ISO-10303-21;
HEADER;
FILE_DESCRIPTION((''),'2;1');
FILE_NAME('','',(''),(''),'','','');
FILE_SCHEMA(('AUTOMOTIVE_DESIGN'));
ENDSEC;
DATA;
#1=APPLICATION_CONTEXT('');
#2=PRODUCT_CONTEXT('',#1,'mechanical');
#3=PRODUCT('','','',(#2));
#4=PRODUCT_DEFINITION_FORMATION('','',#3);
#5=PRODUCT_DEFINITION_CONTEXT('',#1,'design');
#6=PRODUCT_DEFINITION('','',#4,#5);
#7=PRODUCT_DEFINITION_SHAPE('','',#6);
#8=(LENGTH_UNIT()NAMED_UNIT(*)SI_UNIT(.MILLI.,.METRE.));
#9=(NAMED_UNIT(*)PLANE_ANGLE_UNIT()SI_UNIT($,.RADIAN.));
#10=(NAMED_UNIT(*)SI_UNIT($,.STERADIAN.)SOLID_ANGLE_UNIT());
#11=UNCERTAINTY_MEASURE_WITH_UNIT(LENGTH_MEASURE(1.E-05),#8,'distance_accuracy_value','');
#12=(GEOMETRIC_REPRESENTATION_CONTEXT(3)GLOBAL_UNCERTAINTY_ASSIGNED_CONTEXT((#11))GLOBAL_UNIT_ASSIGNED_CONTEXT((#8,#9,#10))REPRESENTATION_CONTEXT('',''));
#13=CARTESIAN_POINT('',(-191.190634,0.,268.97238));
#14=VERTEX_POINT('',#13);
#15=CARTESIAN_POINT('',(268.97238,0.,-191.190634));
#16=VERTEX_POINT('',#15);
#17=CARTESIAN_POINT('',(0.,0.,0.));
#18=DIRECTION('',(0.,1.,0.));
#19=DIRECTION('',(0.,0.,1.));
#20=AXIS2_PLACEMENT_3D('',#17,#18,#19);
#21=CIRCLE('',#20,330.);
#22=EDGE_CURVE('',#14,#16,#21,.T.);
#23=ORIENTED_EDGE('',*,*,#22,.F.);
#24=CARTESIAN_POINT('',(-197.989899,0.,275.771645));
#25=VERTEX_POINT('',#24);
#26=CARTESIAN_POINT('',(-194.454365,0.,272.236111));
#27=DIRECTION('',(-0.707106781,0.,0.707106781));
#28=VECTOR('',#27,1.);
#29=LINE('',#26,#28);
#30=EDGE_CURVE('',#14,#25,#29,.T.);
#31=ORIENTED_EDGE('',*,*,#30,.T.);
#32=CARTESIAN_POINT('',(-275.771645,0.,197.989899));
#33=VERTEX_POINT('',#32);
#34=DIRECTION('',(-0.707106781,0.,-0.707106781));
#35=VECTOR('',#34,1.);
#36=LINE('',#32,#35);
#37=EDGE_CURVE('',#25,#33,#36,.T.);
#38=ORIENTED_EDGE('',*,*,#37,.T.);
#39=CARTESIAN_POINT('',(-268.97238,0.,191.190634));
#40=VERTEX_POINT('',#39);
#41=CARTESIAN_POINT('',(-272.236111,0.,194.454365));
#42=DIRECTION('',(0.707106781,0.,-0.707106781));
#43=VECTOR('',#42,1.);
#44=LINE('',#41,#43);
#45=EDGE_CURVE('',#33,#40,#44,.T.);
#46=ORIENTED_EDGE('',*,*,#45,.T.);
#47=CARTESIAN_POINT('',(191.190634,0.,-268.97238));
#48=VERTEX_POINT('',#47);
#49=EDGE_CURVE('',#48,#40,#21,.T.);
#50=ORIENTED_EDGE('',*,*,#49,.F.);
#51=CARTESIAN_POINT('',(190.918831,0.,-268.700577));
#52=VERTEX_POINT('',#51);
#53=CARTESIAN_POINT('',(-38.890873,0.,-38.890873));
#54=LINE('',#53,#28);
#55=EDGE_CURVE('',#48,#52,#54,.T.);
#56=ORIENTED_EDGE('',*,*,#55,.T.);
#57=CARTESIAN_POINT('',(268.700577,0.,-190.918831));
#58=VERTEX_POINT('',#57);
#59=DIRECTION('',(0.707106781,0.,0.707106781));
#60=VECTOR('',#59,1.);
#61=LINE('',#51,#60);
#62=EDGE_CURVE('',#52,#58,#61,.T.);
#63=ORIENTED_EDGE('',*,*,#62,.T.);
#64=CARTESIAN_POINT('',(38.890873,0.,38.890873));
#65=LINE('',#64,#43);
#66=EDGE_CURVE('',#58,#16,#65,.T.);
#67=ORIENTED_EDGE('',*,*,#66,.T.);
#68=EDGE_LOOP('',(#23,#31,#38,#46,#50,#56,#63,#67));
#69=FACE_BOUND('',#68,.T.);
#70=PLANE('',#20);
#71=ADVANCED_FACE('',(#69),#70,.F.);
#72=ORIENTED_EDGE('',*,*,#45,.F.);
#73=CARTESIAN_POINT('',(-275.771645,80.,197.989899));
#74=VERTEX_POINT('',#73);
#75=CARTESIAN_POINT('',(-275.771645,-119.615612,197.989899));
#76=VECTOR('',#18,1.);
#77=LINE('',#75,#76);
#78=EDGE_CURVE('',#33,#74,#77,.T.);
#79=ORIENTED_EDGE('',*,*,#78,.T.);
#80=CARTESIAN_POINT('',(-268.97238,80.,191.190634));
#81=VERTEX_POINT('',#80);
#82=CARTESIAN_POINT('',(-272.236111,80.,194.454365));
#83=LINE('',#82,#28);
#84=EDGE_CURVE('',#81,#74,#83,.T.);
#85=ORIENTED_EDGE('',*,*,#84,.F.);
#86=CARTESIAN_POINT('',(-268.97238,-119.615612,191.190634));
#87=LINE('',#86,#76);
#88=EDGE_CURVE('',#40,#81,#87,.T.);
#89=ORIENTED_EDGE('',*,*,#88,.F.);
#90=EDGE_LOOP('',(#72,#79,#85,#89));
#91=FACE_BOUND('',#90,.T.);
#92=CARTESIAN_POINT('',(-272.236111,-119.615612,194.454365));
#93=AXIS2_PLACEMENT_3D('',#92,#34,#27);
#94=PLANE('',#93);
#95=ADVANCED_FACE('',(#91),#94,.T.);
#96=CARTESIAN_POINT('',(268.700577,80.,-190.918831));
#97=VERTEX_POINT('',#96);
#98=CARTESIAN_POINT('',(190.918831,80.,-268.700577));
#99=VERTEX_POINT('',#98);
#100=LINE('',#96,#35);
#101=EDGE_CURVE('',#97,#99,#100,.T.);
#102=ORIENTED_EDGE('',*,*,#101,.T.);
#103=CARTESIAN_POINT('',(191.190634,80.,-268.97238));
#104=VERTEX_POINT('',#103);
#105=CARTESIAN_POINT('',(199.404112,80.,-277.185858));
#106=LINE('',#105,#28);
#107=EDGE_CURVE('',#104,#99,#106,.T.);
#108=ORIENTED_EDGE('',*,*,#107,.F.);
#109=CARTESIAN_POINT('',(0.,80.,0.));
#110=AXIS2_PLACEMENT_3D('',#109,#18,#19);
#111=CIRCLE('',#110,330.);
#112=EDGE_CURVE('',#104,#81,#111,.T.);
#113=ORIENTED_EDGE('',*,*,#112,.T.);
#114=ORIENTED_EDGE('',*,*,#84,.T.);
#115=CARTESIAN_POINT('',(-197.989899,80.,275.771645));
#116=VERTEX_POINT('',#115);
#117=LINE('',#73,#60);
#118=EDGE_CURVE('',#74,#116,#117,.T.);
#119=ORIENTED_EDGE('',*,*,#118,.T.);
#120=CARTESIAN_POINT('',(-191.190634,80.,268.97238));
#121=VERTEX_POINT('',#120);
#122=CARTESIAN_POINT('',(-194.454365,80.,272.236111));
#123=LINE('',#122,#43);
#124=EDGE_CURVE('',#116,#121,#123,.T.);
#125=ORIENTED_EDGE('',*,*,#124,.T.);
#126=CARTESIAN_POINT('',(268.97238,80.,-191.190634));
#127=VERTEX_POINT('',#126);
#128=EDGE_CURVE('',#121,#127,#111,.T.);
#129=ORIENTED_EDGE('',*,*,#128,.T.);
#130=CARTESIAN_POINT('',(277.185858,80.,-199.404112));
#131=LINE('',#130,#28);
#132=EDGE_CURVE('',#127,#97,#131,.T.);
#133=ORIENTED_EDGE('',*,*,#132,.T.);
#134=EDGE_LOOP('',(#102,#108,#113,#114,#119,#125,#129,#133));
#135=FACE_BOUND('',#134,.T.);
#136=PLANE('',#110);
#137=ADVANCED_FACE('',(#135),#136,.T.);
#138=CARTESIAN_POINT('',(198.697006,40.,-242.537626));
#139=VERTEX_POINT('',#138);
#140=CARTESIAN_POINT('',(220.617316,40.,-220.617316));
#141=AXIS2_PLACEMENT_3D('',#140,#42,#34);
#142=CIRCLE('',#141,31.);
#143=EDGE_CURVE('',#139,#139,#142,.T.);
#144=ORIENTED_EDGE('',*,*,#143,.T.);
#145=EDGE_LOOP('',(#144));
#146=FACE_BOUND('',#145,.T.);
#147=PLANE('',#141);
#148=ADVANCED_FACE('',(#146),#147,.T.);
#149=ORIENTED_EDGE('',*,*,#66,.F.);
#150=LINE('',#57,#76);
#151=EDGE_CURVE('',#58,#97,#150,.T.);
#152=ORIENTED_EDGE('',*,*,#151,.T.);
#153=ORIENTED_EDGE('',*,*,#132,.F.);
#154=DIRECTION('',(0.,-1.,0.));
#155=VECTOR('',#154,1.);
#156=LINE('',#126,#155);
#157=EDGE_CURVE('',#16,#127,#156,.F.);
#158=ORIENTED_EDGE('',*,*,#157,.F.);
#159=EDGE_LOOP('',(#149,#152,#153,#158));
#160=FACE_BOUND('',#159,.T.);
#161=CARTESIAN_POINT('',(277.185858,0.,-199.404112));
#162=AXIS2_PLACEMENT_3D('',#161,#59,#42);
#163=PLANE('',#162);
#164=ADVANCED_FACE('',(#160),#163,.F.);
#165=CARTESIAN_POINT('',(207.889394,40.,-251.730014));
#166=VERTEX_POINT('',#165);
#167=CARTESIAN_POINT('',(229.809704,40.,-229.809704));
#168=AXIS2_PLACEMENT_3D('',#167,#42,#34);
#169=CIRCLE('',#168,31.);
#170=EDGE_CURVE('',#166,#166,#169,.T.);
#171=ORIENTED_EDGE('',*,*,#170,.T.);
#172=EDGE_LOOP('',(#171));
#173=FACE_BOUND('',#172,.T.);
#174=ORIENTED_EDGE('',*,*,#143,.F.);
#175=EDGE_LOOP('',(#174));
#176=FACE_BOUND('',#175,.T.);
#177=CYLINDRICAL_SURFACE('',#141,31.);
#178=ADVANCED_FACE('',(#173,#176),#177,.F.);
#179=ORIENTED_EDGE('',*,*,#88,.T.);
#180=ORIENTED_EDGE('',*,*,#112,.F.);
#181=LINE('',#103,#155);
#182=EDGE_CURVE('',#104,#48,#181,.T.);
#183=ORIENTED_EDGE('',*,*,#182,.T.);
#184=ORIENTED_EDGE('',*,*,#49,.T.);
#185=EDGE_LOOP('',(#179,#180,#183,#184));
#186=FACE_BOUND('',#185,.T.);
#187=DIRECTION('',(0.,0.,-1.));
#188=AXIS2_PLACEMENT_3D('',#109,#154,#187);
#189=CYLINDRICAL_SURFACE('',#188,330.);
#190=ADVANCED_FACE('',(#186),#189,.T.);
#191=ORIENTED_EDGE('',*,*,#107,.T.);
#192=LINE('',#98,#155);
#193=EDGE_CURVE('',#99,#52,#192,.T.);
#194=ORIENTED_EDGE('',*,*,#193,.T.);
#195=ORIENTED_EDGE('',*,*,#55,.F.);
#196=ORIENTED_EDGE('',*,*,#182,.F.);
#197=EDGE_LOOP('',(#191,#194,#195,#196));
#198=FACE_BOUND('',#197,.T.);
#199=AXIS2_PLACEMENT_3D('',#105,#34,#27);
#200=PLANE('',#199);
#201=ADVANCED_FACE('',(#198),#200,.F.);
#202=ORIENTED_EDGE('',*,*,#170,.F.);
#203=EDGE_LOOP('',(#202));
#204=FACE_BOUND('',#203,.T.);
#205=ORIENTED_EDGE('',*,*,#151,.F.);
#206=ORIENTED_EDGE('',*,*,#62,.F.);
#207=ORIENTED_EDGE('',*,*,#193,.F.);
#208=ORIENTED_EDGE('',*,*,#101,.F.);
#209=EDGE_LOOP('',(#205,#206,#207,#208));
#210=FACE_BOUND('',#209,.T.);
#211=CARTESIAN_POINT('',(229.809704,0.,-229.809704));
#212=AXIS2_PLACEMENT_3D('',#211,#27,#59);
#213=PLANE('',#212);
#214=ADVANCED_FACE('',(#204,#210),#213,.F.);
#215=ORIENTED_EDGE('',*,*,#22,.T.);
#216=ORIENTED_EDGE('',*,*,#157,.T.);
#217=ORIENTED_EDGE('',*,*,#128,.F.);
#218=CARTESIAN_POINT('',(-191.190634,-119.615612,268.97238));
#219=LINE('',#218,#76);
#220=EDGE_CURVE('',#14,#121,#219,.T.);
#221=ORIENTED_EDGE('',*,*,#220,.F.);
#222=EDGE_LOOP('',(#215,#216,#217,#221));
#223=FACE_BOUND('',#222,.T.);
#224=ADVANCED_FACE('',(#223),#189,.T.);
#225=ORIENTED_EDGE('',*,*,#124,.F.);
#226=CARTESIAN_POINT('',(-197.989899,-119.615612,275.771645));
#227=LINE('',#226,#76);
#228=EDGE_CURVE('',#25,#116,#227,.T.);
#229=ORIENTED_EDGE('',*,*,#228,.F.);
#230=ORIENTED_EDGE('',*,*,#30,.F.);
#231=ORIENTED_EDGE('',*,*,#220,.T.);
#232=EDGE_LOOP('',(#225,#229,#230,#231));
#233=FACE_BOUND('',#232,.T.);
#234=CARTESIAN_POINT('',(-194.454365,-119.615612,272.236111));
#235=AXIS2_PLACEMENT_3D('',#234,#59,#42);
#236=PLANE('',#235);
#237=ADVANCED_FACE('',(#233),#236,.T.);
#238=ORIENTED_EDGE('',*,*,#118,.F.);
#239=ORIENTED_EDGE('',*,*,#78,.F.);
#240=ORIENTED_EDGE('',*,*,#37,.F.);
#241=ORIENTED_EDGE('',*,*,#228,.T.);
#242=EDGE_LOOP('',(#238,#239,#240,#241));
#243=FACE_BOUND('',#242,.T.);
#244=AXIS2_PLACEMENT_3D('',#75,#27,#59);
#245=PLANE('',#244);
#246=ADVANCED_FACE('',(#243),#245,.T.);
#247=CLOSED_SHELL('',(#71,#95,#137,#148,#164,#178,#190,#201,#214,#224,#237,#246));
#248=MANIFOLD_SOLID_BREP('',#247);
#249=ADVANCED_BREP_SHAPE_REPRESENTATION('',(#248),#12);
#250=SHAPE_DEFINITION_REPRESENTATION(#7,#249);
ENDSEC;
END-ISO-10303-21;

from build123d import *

# Parameters (mm, degrees)
SKETCH1_R           = 330
BOSS_EXTRUDE1_DEPTH = 80
BOSS_EXTRUDE2_START = -80
BOSS_EXTRUDE2_DEPTH = 80
SKETCH7_W           = 110
SKETCH7_H           = 80
BOSS_EXTRUDE3_DEPTH = 650.38438807
SKETCH9_W           = 110
SKETCH9_H           = 80
CUT_EXTRUDE4_DEPTH  = 12
SKETCH10_R          = 31
CUT_EXTRUDE5_DEPTH  = 13


with BuildPart() as part:
    # Sketch1 → Boss-Extrude1 (new body)
    with BuildSketch(Plane(origin=(0, 0, 0), x_dir=(1, 0, 0), z_dir=(0, 1, 0))):
        with Locations(Location((0, 0, 0), (0, 0, 270))):
            Circle(SKETCH1_R)
    extrude(amount=BOSS_EXTRUDE1_DEPTH)

    # Sketch6 → Boss-Extrude2 (add)
    with BuildSketch(Plane(origin=(0, 80, 0), x_dir=(1, 0, 0), z_dir=(0, 1, 0)).offset(BOSS_EXTRUDE2_START)):
        with BuildLine():
            Line((-272.236110757, -194.454364826), (-275.771644663, -197.989898732))
            Line((-275.771644663, -197.989898732), (-197.989898732, -275.771644663))
            Line((-197.989898732, -275.771644663), (-194.454364826, -272.236110757))
            Line((-194.454364826, -272.236110757), (-191.190634332, -268.972380262))
            ThreePointArc((-191.190634332, -268.972380262), (-233.345237792, -233.345237792), (-268.972380262, -191.190634332))
            Line((-268.972380262, -191.190634332), (-272.236110757, -194.454364826))
        make_face()
    extrude(amount=BOSS_EXTRUDE2_DEPTH)

    # Sketch7 → Boss-Extrude3 (add)
    with BuildSketch(Plane(origin=(229.809703886, 0, -229.809703886), x_dir=(0.7071067811865476, 0, 0.7071067811865476), z_dir=(-0.7071067811865476, 0, 0.7071067811865476))):
        with Locations((0, 40)):
            Rectangle(SKETCH7_W, SKETCH7_H)
    extrude(amount=BOSS_EXTRUDE3_DEPTH)

    # Sketch9 → Cut-Extrude4 (cut)
    with BuildSketch(Plane(origin=(229.809703886, 0, -229.809703886), x_dir=(0.7071067811865476, 0, 0.7071067811865476), z_dir=(-0.7071067811865476, 0, 0.7071067811865476))):
        with Locations((0, 40)):
            Rectangle(SKETCH9_W, SKETCH9_H)
    extrude(amount=-CUT_EXTRUDE4_DEPTH, mode=Mode.SUBTRACT)

    # Sketch10 → Cut-Extrude5 (cut)
    with BuildSketch(Plane(origin=(229.809703886, 0, -229.809703886), x_dir=(-0.7071067811865475, 0, -0.7071067811865477), z_dir=(0.7071067811865477, 0, -0.7071067811865475))):
        with Locations((0, 40)):
            Circle(SKETCH10_R)
    extrude(amount=-CUT_EXTRUDE5_DEPTH, mode=Mode.SUBTRACT)


solid = part.part
